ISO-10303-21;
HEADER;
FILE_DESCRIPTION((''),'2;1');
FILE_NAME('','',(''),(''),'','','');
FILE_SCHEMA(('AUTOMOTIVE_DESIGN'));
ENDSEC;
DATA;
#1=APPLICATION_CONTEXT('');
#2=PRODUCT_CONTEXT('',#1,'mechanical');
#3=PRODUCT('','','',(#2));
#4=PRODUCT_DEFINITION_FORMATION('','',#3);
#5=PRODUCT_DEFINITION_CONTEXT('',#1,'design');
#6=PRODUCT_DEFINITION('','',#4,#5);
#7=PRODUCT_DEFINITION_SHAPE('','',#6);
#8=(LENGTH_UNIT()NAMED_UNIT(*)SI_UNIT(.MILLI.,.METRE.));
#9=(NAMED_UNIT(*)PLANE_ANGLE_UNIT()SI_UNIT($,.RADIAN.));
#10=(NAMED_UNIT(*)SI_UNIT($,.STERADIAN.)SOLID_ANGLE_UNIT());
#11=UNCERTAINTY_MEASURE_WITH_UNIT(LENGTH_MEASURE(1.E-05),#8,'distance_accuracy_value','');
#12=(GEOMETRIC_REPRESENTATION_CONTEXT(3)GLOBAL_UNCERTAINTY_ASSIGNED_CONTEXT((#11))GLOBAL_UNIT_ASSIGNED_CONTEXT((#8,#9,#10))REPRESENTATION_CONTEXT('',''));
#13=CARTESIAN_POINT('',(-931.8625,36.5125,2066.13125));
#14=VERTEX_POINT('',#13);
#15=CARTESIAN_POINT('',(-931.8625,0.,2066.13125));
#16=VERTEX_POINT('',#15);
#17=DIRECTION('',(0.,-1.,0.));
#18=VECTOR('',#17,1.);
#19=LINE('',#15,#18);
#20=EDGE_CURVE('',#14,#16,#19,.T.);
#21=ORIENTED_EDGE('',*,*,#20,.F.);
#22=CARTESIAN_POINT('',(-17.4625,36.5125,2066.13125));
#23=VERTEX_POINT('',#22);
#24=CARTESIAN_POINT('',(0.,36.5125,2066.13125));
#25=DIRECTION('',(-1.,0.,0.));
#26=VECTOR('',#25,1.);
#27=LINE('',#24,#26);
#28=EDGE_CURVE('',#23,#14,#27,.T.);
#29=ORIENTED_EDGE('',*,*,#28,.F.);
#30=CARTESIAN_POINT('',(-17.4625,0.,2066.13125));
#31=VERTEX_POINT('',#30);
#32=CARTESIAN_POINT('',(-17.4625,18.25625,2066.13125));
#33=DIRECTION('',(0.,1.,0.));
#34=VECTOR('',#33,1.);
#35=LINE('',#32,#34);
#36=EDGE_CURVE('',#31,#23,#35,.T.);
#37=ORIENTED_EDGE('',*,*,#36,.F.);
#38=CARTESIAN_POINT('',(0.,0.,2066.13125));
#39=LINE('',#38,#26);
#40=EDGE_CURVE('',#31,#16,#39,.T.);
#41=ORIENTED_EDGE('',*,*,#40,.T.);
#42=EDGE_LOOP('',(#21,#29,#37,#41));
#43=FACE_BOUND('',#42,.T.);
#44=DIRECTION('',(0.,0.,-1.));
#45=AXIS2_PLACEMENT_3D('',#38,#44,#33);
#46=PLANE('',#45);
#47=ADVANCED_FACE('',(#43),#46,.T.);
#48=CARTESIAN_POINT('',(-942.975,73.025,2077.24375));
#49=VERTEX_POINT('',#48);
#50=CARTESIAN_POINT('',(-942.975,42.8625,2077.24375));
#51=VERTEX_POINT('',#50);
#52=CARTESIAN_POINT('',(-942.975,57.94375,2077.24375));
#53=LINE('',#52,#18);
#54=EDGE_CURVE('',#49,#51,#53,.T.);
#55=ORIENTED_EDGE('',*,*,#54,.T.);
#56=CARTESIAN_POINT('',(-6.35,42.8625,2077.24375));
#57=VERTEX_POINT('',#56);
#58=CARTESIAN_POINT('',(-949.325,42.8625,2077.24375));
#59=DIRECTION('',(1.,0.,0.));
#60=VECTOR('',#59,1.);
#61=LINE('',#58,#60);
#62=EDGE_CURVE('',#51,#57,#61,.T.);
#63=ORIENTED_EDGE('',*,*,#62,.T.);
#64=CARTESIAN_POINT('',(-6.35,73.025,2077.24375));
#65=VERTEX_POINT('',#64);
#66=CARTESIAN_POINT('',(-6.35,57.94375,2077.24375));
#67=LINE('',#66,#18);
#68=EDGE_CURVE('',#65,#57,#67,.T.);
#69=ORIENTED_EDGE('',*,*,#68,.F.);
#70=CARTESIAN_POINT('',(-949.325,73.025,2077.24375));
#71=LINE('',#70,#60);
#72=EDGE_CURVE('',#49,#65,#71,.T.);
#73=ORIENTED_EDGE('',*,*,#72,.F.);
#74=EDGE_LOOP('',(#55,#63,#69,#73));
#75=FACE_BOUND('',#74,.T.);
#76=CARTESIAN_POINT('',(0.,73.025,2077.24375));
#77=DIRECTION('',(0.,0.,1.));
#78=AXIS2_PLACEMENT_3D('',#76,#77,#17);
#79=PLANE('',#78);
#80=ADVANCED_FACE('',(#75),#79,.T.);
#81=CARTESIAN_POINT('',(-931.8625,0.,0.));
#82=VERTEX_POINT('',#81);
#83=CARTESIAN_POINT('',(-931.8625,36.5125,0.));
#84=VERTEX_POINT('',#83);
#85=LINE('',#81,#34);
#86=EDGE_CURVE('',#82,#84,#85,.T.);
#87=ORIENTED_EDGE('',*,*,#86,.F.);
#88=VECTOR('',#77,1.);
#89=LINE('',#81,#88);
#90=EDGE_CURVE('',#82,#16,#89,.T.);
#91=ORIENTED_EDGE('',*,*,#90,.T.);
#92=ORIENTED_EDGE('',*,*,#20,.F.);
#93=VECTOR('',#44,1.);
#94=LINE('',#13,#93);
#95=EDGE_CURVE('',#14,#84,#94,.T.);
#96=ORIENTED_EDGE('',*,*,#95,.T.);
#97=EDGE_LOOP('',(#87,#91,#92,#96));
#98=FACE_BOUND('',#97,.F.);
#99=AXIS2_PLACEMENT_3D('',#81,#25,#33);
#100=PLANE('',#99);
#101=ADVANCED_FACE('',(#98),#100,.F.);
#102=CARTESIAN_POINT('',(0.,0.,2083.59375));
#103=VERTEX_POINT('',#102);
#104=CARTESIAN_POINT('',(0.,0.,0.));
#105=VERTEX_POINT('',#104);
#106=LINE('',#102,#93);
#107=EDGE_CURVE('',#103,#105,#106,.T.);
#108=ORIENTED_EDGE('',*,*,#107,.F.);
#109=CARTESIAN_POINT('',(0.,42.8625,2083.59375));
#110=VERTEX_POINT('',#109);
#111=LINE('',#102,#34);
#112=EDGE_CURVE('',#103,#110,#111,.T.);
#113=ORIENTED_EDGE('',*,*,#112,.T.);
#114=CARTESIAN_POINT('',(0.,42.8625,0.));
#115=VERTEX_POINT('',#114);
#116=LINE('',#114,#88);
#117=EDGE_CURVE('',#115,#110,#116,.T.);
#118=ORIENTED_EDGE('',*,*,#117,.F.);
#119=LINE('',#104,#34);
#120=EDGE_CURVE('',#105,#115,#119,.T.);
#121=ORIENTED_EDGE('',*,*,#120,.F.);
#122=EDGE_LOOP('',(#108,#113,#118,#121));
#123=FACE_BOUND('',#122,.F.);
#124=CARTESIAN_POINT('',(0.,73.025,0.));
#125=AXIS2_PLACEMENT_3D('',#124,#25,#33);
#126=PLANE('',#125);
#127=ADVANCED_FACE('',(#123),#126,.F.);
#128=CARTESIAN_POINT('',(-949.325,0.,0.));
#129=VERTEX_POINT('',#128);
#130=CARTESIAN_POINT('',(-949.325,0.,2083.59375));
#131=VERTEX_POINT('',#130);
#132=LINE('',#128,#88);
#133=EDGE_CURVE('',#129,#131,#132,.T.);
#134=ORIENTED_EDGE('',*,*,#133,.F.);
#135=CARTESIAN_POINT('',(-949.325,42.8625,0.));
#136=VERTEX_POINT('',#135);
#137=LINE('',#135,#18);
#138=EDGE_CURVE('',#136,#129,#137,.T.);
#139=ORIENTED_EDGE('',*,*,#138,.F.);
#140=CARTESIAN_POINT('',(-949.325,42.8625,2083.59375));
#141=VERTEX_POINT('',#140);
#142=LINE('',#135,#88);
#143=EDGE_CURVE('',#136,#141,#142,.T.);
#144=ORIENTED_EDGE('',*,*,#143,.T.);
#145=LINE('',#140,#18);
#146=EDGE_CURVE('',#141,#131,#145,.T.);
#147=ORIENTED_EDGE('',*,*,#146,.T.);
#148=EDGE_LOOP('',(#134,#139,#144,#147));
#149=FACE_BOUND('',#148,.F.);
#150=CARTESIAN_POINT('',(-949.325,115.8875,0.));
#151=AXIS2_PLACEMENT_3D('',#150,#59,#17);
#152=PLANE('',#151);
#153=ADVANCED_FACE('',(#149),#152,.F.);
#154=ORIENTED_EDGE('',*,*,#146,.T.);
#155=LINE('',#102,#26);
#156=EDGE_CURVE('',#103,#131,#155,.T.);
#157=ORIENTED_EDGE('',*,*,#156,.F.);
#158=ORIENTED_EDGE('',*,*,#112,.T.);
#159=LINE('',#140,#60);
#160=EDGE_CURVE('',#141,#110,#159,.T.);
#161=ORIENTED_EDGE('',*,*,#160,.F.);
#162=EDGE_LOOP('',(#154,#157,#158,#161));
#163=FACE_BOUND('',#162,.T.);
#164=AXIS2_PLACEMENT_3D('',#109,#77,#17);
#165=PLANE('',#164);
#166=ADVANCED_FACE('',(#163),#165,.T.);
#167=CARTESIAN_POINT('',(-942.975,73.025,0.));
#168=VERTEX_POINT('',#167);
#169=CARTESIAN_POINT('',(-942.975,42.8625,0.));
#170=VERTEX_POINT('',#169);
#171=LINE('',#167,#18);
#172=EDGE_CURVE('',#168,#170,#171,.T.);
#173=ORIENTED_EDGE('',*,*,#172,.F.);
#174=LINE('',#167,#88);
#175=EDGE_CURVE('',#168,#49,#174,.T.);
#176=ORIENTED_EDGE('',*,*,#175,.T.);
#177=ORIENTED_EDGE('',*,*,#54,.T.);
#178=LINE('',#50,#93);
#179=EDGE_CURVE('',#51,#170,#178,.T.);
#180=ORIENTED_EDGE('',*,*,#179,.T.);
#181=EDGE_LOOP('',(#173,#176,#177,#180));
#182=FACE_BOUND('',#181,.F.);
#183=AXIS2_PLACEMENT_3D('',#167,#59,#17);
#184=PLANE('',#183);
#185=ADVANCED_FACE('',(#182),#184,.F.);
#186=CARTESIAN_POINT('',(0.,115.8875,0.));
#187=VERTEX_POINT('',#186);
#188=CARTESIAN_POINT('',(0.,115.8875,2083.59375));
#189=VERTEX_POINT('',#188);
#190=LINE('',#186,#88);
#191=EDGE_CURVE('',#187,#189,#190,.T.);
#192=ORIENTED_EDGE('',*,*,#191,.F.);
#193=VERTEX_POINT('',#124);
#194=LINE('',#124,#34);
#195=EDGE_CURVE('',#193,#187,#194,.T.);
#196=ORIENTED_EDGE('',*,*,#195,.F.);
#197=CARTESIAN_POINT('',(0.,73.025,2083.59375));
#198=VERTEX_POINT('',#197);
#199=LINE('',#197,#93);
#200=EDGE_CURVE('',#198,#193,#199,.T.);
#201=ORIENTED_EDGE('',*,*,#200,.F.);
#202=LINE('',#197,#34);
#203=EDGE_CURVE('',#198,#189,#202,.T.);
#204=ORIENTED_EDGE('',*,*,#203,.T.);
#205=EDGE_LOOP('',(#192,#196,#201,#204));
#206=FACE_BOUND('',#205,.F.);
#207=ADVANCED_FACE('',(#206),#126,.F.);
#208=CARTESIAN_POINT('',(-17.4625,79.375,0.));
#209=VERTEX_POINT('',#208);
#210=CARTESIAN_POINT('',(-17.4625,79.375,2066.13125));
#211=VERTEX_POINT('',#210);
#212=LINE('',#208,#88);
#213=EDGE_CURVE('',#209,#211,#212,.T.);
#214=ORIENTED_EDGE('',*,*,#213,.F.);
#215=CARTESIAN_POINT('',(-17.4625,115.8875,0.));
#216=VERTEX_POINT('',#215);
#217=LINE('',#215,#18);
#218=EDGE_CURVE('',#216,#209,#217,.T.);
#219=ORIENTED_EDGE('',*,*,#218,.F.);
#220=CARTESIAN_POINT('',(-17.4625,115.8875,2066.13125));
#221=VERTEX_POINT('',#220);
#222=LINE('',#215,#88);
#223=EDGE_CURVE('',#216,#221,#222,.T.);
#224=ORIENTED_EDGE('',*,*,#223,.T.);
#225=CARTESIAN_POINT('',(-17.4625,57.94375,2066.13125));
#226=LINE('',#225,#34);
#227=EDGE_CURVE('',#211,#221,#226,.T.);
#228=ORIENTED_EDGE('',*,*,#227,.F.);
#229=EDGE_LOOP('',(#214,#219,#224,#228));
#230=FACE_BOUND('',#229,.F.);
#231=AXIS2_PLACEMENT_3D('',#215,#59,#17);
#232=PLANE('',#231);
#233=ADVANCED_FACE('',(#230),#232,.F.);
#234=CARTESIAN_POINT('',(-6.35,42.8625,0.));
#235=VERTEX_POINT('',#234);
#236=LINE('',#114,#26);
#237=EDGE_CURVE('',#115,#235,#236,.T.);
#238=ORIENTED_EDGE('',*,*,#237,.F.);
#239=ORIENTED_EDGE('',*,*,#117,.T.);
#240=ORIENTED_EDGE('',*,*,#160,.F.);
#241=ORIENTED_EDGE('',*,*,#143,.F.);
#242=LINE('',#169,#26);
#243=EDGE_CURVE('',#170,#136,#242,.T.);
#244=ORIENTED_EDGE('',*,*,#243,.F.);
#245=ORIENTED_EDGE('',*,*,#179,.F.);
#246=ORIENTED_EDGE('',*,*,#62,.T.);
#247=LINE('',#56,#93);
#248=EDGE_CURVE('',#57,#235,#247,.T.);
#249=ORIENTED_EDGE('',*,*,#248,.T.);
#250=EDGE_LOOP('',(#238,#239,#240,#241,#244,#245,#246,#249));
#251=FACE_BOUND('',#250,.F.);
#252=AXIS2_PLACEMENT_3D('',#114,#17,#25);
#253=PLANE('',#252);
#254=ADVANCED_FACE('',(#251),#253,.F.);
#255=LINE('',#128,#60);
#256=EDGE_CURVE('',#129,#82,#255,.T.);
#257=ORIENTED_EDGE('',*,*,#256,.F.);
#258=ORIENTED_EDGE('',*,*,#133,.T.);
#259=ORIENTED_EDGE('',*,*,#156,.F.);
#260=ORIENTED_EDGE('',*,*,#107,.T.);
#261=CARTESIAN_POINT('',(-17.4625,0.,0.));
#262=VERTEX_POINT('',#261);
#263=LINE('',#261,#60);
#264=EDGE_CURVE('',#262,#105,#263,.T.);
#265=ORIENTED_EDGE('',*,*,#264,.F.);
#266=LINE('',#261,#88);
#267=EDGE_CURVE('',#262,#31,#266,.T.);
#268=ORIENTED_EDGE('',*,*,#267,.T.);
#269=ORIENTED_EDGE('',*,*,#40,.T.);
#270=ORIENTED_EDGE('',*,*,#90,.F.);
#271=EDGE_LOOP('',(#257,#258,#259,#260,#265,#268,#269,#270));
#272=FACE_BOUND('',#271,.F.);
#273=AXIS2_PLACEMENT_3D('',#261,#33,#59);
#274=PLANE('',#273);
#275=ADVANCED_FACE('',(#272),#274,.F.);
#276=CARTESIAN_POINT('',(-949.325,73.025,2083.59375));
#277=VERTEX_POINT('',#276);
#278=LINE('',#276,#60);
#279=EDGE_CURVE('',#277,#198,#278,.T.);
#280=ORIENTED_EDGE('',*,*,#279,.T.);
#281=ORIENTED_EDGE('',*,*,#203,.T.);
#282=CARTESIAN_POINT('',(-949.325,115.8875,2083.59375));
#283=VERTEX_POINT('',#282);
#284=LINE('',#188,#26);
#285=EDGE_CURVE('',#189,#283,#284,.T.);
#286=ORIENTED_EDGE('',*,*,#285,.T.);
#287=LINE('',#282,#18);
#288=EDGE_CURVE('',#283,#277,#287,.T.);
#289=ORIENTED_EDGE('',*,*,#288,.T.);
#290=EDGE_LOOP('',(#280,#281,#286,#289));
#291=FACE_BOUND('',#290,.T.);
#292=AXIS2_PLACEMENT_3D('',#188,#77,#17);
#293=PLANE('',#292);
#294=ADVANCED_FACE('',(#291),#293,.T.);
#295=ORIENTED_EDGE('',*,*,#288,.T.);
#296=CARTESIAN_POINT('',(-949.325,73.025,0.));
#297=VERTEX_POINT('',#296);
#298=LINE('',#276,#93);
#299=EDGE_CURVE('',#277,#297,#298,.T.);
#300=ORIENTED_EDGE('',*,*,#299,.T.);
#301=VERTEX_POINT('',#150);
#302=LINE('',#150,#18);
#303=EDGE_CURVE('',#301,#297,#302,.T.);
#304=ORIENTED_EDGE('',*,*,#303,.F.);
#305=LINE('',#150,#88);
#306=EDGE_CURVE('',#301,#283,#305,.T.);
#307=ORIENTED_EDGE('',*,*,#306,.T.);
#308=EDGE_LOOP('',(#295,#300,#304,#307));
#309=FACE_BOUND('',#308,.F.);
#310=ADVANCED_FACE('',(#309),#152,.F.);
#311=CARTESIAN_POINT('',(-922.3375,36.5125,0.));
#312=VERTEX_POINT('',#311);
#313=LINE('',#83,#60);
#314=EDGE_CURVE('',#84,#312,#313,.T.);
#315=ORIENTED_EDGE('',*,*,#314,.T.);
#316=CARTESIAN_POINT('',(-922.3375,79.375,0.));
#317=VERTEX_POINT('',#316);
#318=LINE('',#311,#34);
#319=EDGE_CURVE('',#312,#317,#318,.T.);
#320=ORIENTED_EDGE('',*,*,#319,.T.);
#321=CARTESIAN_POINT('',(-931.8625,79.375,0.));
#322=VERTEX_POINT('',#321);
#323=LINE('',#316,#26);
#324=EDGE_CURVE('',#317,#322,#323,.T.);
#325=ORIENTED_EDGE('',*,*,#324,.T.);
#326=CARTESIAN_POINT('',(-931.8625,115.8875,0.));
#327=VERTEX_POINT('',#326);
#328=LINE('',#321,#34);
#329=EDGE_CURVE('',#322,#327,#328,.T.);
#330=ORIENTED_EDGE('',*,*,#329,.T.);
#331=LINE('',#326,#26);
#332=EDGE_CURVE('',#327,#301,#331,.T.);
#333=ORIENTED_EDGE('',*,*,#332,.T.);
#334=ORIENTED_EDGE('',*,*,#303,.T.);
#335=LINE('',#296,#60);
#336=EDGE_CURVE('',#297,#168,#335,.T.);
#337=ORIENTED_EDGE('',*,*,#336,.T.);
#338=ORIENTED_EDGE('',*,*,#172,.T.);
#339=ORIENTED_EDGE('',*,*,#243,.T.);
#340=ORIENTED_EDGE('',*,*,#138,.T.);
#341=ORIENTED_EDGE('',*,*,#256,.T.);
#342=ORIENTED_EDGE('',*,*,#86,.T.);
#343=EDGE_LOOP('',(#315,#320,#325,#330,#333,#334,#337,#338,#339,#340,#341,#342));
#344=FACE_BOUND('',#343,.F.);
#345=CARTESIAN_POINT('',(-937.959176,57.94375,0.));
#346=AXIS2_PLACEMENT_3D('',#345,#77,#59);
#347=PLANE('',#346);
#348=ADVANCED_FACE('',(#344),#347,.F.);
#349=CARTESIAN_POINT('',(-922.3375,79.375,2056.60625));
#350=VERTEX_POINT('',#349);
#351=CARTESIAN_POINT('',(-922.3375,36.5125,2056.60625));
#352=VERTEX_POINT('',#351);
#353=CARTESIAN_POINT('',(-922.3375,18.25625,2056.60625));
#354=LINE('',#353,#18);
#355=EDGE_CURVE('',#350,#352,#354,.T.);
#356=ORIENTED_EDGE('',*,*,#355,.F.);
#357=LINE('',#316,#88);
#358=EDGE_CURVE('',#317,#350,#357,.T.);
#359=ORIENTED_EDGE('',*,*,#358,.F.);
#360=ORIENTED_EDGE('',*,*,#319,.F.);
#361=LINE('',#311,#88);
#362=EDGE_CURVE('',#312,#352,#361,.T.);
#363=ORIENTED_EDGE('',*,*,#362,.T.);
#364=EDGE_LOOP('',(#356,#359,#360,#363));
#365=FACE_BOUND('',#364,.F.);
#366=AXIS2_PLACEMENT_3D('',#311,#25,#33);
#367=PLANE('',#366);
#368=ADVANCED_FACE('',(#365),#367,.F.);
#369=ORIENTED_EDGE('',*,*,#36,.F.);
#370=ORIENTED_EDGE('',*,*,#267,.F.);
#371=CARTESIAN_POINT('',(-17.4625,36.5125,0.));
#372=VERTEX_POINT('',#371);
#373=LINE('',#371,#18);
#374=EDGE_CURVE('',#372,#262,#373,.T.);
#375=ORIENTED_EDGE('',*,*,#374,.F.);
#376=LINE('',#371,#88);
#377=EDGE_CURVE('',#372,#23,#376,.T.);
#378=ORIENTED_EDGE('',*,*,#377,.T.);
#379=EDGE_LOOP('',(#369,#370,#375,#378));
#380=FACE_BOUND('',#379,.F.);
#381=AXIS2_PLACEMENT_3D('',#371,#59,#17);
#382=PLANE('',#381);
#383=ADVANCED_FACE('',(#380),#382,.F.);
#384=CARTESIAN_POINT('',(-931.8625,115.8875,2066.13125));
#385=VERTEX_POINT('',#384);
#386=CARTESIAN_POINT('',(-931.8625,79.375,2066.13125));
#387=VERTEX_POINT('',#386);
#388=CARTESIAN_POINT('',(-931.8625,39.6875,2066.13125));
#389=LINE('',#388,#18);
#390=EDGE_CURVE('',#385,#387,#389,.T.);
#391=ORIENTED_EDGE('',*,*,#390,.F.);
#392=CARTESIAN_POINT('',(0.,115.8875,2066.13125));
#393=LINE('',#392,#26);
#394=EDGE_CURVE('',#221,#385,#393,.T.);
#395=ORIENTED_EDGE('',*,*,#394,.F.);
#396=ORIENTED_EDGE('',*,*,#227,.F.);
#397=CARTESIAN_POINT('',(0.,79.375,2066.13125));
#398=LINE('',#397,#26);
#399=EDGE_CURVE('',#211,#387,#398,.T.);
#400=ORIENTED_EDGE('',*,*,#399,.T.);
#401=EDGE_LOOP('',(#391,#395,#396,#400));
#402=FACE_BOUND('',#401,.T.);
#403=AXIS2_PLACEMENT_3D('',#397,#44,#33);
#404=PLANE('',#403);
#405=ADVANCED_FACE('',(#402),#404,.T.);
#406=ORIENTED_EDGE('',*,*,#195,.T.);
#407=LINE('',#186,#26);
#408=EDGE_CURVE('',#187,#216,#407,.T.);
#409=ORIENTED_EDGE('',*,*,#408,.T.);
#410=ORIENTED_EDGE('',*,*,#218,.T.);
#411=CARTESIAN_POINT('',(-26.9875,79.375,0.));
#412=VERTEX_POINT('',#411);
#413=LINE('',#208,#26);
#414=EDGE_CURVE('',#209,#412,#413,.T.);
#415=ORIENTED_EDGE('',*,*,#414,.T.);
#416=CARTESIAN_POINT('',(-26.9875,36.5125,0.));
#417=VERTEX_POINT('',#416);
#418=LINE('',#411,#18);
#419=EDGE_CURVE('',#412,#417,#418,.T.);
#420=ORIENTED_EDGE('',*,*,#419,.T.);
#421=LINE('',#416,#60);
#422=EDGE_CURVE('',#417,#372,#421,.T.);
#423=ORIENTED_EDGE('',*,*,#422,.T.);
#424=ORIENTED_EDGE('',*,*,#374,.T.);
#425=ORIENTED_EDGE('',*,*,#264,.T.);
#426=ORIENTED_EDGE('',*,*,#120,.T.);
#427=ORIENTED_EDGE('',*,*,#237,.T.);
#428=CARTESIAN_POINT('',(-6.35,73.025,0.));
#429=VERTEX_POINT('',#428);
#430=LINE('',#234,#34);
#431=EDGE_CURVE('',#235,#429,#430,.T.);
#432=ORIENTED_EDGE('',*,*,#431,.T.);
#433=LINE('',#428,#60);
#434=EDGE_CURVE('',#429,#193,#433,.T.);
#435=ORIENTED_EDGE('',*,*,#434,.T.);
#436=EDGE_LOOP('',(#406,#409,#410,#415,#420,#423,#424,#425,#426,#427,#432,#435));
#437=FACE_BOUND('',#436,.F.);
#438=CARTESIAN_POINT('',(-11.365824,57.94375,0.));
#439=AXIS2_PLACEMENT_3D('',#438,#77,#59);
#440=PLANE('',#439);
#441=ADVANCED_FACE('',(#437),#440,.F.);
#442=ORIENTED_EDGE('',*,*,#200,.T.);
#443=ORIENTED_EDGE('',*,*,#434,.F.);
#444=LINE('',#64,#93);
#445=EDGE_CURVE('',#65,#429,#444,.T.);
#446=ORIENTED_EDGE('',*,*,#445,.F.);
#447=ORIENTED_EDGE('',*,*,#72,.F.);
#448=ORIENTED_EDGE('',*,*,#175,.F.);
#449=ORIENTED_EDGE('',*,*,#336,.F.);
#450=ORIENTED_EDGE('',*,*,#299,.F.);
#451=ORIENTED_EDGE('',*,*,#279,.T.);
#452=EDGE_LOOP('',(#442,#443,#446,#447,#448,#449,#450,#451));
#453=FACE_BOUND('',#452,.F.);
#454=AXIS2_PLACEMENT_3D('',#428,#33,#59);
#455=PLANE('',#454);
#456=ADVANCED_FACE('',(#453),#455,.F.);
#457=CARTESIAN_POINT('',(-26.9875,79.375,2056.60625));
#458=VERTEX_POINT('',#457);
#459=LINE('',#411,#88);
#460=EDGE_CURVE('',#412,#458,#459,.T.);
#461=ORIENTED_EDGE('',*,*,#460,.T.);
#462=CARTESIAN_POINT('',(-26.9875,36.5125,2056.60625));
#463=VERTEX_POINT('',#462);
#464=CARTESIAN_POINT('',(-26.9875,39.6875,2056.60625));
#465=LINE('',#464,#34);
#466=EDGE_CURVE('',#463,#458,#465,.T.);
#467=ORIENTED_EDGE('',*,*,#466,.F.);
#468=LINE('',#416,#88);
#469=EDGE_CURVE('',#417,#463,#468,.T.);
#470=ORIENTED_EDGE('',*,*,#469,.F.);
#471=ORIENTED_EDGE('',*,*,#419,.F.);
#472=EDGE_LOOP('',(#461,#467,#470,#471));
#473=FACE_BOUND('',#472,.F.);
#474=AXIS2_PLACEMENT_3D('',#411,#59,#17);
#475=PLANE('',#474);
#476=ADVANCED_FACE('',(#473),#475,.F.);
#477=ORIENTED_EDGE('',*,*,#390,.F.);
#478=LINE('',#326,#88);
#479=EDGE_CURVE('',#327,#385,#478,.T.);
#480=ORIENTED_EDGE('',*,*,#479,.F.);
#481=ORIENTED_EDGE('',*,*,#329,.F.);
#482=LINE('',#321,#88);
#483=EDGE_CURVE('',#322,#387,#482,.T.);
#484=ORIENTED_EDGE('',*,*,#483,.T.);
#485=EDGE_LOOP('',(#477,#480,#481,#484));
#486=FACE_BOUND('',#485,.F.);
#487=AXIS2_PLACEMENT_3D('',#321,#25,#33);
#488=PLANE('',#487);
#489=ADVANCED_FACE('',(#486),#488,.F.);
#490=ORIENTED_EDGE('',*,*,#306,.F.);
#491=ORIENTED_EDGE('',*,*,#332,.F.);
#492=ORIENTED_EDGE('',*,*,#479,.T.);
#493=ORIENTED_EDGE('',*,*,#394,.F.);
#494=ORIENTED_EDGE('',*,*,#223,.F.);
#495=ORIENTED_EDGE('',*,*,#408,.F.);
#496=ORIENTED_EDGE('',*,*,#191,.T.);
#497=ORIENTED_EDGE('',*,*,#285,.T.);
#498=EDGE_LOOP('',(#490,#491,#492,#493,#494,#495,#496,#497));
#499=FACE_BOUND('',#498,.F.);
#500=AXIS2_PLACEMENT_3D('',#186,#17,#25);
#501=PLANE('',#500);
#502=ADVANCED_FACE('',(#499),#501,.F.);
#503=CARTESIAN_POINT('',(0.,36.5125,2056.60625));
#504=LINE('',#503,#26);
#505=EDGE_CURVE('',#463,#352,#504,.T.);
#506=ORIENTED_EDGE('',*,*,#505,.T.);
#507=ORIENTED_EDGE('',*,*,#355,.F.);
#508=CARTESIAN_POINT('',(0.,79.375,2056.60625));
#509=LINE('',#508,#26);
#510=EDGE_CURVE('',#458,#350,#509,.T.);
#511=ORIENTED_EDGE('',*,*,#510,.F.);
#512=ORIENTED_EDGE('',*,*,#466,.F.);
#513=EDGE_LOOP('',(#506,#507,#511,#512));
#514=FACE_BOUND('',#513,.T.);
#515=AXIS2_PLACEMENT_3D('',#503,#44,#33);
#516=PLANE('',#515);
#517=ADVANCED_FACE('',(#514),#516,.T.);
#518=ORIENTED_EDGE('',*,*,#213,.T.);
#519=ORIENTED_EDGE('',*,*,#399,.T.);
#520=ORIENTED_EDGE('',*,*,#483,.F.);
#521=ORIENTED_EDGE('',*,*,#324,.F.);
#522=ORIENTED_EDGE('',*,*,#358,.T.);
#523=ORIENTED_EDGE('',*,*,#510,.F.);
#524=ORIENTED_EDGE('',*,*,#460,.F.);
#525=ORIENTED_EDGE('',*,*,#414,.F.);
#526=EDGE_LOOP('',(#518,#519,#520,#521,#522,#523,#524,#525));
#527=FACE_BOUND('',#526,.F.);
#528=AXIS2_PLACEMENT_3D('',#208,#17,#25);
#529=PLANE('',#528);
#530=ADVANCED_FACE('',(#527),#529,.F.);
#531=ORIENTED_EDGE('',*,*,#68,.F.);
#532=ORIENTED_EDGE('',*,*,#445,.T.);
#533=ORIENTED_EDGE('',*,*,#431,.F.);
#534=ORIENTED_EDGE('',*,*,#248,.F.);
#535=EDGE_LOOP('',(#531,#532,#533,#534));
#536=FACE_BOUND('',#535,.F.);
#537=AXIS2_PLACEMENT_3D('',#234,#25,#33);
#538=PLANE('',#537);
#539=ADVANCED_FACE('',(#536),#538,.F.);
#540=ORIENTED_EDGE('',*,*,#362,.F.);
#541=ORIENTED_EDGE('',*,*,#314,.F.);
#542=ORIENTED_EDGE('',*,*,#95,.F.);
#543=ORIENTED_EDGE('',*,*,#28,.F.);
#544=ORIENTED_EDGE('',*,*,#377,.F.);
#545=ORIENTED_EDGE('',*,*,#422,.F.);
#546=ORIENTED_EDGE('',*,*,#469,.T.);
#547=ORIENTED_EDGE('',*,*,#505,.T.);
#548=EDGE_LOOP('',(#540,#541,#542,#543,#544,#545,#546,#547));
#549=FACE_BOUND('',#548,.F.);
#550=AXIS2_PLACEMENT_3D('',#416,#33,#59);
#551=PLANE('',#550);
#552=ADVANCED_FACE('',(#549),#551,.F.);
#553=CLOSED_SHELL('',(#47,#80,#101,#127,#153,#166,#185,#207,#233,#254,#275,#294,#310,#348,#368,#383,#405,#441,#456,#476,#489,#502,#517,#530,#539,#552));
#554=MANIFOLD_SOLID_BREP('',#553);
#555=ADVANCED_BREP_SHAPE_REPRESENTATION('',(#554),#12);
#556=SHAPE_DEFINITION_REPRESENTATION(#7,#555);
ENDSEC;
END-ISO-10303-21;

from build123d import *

# Parameters (mm, degrees)
F1_DEPTH = 2083.59375
F3_DEPTH = 115.8885
F5_DEPTH = 949.325
F6_W     = 6.35
F6_H     = 30.1625
F7_DEPTH = 2083.59475


with BuildPart() as f1:
    # F0 (on Top) → F1 (new body)
    with BuildSketch(Plane.XY):
        Polygon((0, 73.025), (0, 115.8875), (-17.4625, 115.8875), (-17.4625, 79.375), (-26.9875, 79.375), (-26.9875, 36.5125), (-17.4625, 36.5125), (-17.4625, 0), (0, 0), (0, 42.8625), (-6.35, 42.8625), (-6.35, 73.025), align=None)
        Polygon((-949.325, 115.8875), (-949.325, 73.025), (-942.975, 73.025), (-942.975, 42.8625), (-949.325, 42.8625), (-949.325, 0), (-931.8625, 0), (-931.8625, 36.5125), (-922.3375, 36.5125), (-922.3375, 79.375), (-931.8625, 79.375), (-931.8625, 115.8875), align=None)
    extrude(amount=F1_DEPTH)

    # F2 (on Front) → F3 (cut, through all)
    with BuildSketch(Plane.XZ):
        Polygon((0, 2083.59375), (-949.325, 2083.59375), (-474.6625, 1608.93125), align=None)
    extrude(amount=-F3_DEPTH, mode=Mode.SUBTRACT)

    # F4 (on Right) → F5 (join, through all)
    with BuildSketch(Plane.YZ):
        Polygon((79.375, 2066.13125), (115.8875, 2066.13125), (115.8875, 2083.59375), (73.025, 2083.59375), (73.025, 2077.24375), (42.8625, 2077.24375), (42.8625, 2083.59375), (0, 2083.59375), (0, 2066.13125), (36.5125, 2066.13125), (36.5125, 2056.60625), (79.375, 2056.60625), align=None)
    extrude(amount=-F5_DEPTH)

    # F6 (on Top) → F7 (cut, through all)
    with BuildSketch(Plane.XY):
        with Locations((-3.175, 57.94375)):
            Rectangle(F6_W, F6_H)
        with Locations((-946.15, 57.94375)):
            Rectangle(F6_W, F6_H)
    extrude(amount=F7_DEPTH, mode=Mode.SUBTRACT)


solid = f1.part
